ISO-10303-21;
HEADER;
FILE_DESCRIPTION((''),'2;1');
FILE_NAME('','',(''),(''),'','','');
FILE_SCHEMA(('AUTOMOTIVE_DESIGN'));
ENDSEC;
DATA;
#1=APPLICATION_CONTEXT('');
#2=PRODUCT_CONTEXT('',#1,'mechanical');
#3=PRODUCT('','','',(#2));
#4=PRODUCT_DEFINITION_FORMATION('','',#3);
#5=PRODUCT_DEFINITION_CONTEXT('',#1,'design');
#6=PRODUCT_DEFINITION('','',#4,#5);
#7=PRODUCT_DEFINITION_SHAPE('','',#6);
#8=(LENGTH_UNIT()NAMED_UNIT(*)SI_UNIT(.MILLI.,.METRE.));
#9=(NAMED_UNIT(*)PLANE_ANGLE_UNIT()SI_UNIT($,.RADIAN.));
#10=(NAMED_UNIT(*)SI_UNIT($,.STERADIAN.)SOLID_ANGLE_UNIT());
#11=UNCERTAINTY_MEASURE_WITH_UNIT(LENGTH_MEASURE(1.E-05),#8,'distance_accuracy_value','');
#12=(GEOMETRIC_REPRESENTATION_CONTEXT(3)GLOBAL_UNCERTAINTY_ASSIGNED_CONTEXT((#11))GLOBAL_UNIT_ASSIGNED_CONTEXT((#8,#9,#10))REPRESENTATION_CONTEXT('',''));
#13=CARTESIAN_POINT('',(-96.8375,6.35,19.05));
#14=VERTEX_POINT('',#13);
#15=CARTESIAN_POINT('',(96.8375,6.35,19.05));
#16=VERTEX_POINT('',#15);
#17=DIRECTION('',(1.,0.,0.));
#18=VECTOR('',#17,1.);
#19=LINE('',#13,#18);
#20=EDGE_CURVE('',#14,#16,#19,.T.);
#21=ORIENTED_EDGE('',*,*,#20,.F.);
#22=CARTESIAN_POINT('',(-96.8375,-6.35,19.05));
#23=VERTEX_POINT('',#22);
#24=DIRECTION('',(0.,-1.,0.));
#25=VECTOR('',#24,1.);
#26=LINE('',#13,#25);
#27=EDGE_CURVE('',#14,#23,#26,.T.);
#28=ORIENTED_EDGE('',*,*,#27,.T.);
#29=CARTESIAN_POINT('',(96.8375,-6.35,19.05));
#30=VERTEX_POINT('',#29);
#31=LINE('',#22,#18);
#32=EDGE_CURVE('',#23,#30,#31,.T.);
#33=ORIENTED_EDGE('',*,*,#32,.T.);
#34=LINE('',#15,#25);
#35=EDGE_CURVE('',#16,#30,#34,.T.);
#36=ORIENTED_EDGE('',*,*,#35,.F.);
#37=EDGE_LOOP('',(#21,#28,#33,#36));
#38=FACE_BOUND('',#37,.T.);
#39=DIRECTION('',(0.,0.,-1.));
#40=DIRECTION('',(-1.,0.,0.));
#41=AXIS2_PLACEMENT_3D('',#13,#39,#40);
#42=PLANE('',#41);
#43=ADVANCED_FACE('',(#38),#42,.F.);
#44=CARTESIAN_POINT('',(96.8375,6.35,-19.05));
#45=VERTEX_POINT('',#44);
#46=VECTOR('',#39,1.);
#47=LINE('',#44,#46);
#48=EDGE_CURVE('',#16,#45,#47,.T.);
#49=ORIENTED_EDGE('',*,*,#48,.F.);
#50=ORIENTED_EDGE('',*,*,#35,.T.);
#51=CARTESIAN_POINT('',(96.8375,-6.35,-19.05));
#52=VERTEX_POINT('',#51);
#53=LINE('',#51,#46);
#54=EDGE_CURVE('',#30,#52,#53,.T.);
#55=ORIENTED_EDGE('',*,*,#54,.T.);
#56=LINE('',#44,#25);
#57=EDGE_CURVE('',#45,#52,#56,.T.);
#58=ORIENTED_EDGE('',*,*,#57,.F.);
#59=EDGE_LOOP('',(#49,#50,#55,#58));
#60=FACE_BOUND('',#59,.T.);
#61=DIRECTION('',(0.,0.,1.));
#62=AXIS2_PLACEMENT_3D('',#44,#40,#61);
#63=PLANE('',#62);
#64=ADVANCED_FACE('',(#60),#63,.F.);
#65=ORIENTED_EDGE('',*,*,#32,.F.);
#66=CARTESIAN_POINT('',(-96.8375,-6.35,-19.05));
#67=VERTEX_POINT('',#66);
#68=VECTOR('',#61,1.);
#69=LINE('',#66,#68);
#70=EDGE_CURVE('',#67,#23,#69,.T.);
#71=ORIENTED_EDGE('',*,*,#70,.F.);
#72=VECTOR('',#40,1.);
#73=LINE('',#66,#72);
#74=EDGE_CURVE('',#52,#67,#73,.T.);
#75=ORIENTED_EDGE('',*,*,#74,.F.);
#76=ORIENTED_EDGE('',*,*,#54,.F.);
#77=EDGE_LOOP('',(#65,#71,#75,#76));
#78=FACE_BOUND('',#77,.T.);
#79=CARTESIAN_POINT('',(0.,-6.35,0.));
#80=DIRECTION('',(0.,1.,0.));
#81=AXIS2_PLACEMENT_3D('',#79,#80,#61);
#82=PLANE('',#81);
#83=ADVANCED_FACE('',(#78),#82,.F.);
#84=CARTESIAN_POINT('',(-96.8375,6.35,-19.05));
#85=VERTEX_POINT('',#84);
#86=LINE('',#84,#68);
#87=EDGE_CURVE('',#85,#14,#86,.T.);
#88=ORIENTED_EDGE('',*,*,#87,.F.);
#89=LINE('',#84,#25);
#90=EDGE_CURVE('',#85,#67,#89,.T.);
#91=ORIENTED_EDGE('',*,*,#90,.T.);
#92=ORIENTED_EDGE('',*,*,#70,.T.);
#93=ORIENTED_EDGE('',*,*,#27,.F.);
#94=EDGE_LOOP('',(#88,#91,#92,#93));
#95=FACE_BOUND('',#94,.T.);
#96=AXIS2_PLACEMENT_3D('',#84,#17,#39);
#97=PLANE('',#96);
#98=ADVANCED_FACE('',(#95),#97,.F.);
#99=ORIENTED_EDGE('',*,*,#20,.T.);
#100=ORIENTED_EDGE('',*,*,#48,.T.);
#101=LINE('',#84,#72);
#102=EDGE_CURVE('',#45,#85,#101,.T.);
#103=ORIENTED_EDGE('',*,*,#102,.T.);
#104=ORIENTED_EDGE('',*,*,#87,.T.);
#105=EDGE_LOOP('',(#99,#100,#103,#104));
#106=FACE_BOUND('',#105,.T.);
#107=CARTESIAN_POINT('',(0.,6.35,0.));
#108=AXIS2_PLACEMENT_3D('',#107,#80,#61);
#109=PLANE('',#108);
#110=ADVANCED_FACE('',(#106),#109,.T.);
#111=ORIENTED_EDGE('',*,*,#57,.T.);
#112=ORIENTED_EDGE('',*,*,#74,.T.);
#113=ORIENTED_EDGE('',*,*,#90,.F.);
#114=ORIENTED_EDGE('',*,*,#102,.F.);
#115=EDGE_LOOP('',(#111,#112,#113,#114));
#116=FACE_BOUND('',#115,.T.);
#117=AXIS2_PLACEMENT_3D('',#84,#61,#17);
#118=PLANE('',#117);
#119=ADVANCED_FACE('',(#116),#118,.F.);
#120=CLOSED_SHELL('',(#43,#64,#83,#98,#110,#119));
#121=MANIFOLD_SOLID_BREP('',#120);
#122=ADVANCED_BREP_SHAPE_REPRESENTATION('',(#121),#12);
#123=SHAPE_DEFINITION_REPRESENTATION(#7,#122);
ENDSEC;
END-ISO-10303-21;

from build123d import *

# Parameters (mm, degrees)
SKETCH1_W           = 193.675
SKETCH1_H           = 38.1
BOSS_EXTRUDE1_DEPTH = 6.35


with BuildPart() as part:
    # Sketch1 → Boss-Extrude1 (new body, symmetric)
    with BuildSketch(Plane(origin=(0, 0, 0), x_dir=(1, 0, 0), z_dir=(0, 1, 0))):
        Rectangle(SKETCH1_W, SKETCH1_H)
    extrude(amount=BOSS_EXTRUDE1_DEPTH, both=True)


solid = part.part
